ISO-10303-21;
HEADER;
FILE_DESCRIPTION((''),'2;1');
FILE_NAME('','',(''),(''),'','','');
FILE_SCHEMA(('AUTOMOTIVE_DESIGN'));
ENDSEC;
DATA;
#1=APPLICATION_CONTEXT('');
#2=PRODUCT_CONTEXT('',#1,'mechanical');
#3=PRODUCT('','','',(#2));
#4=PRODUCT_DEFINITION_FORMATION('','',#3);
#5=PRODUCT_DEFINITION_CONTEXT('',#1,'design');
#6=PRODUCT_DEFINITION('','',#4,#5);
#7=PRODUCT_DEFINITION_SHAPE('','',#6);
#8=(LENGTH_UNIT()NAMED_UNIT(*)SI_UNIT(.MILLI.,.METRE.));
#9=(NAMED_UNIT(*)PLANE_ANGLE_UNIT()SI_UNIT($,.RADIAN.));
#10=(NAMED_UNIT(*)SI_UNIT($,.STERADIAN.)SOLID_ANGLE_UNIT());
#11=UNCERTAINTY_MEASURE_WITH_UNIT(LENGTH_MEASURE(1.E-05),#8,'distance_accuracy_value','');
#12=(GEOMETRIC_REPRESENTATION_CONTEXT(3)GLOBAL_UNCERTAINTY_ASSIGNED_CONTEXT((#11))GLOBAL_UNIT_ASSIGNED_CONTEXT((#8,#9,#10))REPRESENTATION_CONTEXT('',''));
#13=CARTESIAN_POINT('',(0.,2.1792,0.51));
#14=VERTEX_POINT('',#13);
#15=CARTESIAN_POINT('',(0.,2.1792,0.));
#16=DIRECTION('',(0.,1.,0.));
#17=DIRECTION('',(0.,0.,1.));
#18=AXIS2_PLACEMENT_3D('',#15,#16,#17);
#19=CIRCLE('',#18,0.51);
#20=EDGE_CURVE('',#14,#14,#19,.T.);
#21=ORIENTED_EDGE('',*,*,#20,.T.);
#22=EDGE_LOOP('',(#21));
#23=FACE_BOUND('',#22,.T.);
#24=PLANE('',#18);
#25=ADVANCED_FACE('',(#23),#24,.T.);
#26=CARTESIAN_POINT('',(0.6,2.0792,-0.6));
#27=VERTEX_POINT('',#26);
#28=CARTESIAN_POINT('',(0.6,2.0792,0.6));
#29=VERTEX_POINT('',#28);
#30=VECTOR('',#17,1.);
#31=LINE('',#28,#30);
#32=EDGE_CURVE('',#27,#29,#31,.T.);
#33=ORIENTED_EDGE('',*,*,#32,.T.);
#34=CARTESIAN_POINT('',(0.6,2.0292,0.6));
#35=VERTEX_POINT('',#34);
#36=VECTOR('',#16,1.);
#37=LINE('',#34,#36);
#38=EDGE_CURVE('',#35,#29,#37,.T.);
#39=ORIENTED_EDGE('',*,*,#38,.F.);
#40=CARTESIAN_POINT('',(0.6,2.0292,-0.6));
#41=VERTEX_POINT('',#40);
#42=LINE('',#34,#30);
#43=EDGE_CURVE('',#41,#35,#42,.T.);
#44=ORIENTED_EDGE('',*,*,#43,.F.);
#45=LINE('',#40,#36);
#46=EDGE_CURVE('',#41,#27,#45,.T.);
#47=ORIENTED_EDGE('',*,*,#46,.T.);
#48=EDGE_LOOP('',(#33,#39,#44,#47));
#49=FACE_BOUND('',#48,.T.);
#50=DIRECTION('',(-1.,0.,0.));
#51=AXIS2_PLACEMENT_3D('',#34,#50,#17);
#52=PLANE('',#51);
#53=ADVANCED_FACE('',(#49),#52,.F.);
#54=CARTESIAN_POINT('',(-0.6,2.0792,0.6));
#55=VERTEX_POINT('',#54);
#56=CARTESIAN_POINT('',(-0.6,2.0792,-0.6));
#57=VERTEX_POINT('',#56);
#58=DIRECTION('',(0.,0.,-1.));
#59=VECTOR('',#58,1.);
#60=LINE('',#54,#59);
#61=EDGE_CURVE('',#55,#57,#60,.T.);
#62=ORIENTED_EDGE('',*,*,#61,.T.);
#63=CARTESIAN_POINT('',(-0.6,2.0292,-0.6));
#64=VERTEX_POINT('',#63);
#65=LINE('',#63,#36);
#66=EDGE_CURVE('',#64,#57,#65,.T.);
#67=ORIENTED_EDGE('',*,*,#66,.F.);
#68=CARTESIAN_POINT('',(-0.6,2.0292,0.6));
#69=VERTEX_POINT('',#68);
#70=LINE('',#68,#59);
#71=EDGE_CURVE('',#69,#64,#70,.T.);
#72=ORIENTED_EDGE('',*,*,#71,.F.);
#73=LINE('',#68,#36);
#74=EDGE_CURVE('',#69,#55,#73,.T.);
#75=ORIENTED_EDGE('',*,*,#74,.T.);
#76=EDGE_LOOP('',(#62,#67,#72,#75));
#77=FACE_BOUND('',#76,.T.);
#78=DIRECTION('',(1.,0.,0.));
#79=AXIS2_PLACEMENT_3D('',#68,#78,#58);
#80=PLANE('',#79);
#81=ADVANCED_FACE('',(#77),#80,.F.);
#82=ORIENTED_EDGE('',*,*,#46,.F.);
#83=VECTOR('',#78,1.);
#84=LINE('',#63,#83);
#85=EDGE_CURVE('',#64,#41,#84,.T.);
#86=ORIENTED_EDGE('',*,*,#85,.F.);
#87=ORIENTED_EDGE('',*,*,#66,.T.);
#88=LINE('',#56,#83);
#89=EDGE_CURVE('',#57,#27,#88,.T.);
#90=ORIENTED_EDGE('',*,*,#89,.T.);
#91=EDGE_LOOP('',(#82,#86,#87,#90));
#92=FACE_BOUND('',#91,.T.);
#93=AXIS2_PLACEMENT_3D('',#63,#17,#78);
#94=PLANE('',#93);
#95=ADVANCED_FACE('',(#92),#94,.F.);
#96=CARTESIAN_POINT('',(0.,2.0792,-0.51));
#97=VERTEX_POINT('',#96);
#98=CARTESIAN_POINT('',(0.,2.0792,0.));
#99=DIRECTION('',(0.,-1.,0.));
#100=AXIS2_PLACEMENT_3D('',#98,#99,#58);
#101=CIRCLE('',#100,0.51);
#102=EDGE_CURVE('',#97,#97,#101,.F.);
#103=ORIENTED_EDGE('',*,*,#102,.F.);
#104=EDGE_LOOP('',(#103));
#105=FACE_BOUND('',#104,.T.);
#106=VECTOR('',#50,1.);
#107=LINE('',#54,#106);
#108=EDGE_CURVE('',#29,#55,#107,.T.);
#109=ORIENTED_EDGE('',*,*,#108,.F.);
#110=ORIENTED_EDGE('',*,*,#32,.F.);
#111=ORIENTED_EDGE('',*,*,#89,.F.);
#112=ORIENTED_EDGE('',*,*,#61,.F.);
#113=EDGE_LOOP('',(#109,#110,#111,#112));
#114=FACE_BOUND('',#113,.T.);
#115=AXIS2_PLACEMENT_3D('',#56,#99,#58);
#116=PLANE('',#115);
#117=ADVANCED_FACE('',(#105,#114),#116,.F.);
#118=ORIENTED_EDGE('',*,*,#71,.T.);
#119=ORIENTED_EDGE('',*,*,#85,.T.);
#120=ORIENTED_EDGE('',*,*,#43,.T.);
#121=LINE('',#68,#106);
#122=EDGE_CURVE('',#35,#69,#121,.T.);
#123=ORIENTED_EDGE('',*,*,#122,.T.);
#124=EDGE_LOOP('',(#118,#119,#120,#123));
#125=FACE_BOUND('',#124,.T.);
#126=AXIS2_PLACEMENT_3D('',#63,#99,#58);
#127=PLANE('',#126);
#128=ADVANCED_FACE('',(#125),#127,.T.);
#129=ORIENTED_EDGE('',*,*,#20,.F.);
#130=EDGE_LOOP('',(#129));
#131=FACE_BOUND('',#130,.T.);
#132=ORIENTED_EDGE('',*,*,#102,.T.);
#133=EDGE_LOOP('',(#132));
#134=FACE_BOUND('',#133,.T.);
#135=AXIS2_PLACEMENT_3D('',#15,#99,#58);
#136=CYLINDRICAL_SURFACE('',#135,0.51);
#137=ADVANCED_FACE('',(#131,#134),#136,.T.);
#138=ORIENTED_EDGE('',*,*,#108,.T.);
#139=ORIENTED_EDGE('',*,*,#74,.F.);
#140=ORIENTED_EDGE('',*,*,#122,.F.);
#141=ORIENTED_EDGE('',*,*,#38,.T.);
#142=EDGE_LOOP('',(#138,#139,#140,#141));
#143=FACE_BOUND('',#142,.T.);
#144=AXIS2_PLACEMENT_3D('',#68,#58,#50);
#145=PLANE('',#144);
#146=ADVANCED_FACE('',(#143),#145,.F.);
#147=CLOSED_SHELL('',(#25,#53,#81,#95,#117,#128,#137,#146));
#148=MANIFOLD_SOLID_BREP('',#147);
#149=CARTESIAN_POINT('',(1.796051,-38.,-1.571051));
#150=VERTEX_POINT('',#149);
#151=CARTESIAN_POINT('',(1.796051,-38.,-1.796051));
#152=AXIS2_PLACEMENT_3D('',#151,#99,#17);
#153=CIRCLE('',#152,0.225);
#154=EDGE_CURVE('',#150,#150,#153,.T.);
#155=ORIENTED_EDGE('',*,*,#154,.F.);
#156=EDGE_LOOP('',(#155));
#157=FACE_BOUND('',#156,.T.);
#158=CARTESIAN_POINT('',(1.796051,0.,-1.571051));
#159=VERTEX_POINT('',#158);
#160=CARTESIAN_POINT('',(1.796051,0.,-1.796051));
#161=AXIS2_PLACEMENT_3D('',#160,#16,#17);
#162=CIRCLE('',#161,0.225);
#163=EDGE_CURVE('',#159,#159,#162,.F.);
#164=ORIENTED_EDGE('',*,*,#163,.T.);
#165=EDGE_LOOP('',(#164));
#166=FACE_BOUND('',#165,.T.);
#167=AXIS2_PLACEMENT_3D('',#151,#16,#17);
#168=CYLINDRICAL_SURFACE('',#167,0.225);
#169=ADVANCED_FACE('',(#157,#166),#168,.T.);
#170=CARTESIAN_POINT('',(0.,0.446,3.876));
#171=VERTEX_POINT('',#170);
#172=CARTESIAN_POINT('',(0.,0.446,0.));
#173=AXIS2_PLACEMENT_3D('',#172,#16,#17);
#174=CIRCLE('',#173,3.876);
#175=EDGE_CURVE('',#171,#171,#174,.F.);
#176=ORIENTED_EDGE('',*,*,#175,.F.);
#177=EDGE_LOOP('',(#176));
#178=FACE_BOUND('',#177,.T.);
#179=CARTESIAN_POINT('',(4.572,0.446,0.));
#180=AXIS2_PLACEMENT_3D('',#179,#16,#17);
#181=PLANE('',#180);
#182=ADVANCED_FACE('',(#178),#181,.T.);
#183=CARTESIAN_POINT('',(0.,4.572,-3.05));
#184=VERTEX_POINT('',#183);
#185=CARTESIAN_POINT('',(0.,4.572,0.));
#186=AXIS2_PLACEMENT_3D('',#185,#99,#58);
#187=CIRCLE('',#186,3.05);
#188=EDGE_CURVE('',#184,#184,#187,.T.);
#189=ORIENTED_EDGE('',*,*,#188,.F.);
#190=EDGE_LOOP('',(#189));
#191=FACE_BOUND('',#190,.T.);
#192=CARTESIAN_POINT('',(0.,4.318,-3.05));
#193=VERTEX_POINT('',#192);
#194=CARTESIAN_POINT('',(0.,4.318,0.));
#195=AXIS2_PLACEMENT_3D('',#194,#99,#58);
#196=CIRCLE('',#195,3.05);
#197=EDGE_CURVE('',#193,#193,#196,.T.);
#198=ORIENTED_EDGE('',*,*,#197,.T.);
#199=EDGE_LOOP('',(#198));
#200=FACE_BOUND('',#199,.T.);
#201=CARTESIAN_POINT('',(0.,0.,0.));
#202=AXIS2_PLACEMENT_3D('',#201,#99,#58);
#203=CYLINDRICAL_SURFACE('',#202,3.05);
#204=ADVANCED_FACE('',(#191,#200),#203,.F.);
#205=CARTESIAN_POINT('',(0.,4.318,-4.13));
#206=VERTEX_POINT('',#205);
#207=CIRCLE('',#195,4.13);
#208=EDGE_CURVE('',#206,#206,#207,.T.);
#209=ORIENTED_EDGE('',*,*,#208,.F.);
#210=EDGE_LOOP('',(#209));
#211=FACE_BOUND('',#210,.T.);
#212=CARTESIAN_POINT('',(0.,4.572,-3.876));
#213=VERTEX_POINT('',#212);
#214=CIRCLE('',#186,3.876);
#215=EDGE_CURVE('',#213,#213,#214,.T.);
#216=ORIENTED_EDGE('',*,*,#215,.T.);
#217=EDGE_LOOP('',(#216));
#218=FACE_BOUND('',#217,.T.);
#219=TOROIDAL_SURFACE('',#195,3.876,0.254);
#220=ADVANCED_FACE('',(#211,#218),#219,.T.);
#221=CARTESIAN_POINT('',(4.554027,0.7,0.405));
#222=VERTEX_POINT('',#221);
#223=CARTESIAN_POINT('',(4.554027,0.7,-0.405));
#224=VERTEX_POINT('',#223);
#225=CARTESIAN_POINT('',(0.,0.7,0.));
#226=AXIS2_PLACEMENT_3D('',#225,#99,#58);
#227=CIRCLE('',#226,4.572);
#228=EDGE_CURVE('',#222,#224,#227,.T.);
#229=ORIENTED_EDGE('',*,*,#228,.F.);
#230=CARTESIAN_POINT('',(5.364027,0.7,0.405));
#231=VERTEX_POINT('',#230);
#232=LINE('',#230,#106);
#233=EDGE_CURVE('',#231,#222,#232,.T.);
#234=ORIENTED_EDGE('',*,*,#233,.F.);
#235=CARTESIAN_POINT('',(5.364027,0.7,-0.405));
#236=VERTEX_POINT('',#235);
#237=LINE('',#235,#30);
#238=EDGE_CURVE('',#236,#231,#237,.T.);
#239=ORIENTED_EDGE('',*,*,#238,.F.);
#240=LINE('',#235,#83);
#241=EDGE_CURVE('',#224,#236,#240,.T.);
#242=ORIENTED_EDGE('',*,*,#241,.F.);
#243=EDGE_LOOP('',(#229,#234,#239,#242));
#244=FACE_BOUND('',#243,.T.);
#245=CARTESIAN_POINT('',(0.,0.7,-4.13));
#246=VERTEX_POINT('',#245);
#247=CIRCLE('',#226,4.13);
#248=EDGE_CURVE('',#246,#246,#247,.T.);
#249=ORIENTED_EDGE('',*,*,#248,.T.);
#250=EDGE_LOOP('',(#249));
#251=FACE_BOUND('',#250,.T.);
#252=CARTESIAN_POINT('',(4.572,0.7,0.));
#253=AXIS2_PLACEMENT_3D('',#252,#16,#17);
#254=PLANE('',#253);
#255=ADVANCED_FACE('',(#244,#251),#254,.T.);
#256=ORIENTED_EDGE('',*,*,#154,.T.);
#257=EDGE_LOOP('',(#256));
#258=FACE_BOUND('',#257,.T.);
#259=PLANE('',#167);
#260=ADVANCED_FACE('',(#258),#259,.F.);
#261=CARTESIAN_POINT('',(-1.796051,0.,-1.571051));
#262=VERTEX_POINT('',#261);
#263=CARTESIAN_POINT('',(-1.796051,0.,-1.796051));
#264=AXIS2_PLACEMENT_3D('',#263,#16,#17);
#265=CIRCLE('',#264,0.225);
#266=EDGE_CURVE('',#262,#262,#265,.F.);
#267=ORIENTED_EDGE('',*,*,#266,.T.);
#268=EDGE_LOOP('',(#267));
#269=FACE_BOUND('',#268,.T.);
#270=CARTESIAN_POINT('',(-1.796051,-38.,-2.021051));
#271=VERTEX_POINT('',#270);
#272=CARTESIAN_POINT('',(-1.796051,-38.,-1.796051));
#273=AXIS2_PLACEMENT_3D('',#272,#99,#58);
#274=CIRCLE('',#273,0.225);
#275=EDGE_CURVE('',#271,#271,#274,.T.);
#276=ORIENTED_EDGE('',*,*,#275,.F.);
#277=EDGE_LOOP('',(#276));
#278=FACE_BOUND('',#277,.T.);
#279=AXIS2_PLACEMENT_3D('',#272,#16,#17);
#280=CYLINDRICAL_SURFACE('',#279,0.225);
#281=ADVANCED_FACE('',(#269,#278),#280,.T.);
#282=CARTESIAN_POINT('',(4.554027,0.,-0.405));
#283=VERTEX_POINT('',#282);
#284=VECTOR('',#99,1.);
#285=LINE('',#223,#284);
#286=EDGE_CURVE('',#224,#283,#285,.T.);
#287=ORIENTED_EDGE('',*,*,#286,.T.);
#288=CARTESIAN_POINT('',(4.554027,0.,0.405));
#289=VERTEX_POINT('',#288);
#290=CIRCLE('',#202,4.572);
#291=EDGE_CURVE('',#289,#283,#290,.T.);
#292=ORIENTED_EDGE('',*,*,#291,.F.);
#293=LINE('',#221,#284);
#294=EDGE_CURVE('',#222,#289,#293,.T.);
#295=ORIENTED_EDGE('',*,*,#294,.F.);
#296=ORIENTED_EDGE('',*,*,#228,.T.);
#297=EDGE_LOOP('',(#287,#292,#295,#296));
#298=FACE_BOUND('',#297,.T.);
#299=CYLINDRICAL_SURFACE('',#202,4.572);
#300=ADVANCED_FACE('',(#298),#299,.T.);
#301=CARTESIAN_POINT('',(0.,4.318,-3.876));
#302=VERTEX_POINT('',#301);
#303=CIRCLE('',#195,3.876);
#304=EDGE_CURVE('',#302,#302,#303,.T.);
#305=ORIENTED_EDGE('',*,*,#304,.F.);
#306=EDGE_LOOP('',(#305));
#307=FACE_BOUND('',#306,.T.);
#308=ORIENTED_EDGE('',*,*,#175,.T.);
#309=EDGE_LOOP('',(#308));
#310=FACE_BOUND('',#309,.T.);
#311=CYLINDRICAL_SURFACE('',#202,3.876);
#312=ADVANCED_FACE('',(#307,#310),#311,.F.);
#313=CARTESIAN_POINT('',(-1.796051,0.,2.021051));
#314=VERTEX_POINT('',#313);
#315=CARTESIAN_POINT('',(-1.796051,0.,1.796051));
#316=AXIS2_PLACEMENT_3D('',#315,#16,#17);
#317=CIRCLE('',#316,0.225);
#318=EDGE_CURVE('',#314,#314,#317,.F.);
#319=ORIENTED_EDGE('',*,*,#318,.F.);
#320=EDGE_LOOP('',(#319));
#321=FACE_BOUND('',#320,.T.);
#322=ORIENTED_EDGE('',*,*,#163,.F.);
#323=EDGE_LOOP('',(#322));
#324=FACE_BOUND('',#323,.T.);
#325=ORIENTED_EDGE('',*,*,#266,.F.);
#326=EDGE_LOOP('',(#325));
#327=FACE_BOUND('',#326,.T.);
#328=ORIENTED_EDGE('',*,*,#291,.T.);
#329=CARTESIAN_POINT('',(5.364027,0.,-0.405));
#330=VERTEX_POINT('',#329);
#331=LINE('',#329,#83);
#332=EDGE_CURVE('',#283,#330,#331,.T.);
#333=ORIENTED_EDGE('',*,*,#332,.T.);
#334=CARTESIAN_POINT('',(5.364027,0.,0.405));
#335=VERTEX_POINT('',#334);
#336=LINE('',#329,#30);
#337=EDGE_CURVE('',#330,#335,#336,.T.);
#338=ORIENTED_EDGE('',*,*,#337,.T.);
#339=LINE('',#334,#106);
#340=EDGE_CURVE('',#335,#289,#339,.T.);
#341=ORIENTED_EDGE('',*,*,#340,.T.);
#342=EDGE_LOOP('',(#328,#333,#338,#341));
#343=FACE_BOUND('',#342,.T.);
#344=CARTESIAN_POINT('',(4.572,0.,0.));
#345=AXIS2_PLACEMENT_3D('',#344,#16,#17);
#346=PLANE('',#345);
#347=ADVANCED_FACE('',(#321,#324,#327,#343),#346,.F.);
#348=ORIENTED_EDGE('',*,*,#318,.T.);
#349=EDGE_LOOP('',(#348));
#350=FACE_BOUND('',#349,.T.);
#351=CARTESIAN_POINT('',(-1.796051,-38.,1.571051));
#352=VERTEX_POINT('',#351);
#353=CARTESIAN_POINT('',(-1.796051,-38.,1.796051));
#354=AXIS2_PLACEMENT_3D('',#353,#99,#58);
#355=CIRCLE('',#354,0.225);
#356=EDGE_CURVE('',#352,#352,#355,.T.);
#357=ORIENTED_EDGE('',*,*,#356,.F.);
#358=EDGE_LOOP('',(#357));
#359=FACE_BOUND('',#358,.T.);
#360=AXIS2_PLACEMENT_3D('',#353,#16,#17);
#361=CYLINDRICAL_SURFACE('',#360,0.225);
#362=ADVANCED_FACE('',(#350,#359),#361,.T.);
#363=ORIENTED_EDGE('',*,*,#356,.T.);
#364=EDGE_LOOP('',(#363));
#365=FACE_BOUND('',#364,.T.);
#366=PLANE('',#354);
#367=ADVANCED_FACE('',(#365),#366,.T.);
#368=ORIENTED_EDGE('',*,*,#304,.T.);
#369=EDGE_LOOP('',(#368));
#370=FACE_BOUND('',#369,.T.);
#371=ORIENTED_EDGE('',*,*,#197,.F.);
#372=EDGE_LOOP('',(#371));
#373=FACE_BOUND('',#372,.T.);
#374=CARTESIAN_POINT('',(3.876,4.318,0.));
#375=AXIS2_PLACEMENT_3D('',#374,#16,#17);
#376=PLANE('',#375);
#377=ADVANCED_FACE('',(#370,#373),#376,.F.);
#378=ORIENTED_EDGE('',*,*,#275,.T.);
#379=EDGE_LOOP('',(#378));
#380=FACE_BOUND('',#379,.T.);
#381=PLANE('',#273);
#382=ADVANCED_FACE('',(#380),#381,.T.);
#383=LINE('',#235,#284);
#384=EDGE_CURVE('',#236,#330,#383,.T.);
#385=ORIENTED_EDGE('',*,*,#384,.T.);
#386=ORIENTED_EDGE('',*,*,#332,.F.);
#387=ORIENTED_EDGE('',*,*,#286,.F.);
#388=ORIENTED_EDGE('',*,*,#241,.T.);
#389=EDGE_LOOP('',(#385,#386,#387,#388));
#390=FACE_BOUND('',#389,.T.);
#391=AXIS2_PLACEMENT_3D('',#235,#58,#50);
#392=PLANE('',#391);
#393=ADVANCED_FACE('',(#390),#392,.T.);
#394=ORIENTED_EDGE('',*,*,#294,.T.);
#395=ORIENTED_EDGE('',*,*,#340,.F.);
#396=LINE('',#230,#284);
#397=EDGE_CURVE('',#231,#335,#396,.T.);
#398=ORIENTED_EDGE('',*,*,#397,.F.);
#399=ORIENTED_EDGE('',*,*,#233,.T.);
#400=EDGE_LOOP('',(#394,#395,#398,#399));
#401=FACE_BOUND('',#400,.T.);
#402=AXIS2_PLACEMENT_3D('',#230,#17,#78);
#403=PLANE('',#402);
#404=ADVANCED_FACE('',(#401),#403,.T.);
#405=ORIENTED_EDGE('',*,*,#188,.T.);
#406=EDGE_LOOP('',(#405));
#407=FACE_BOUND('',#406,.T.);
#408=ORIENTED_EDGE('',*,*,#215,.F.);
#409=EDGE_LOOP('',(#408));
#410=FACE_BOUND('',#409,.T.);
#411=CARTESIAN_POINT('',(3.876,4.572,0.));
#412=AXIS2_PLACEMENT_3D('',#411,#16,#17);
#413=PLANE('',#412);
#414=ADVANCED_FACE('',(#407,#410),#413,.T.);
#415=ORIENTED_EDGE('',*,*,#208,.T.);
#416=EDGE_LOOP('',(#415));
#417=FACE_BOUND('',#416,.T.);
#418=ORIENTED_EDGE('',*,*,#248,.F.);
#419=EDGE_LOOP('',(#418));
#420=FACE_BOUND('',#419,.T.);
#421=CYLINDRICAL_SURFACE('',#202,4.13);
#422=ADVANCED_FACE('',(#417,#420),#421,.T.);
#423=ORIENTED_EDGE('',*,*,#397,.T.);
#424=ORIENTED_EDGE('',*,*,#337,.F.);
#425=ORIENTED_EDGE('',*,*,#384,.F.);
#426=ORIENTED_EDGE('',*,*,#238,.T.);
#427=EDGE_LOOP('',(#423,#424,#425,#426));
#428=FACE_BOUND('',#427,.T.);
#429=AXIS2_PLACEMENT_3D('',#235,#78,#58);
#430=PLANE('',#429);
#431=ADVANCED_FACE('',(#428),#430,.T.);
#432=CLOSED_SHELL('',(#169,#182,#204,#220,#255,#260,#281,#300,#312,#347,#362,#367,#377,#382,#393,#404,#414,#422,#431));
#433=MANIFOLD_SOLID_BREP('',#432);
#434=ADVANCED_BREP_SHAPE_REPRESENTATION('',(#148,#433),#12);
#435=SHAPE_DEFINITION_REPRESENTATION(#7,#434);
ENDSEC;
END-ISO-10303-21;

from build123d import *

# Parameters (mm, degrees)
SKETCH2_R           = 4.572
BOSS_EXTRUDE1_DEPTH = 0.446
BOSS_EXTRUDE2_START = -2.0792
SKETCH3_W           = 1.2
SKETCH3_H           = 1.2
BOSS_EXTRUDE2_DEPTH = 0.05
SKETCH8_R           = 0.51
BOSS_EXTRUDE6_DEPTH = 0.1
SKETCH5_R           = 0.225
BOSS_EXTRUDE4_DEPTH = 38
SKETCH10_W          = 0.81
SKETCH10_H          = 0.81
BOSS_EXTRUDE7_DEPTH = 0.7


with BuildPart() as part:
    # Sketch1 → Revolve-Thin2 (revolve)
    with BuildSketch(Plane.XY, mode=Mode.PRIVATE) as revolve_thin2_sk:
        with BuildLine():
            Line((4.572, 0), (4.572, 0.7))
            Line((4.572, 0.7), (4.13, 0.7))
            Line((4.13, 0.7), (4.13, 4.318))
            ThreePointArc((4.13, 4.318), (4.055605122, 4.497605122), (3.876, 4.572))
            Line((3.876, 4.572), (3.05, 4.572))
            Line((3.05, 4.572), (3.05, 4.318))
            Line((3.05, 4.318), (3.876, 4.318))
            Line((3.876, 4.318), (3.876, 0.446))
            Line((3.876, 0.446), (4.318, 0.446))
            Line((4.318, 0.446), (4.318, 0))
            Line((4.318, 0), (4.572, 0))
        make_face()
    revolve(revolve_thin2_sk.sketch.rotate(Axis((0, 0, 0), (0, 1, 0)), 90), axis=Axis((0, 0, 0), (0, 1, 0)))  # turned: the seam where the file's is

    # Sketch2 → Boss-Extrude1 (add)
    with BuildSketch(Plane.XZ):
        with Locations(Location((0, 0, 0), (0, 0, 270))):  # turned: the seam where the file's is
            Circle(SKETCH2_R)
    extrude(amount=-BOSS_EXTRUDE1_DEPTH)

    # Sketch5 → Boss-Extrude4 (add)
    with BuildSketch(Plane.XZ):
        with Locations(Location((-1.796051224, -1.796051224, 0), (0, 0, 90))):  # turned: the seam where the file's is
            Circle(SKETCH5_R)
        with Locations(Location((1.796051224, -1.796051224, 0), (0, 0, 90))):  # turned: the seam where the file's is
            Circle(SKETCH5_R)
        with Locations(Location((-1.796051224, 1.796051224, 0), (0, 0, 90))):  # turned: the seam where the file's is
            Circle(SKETCH5_R)
    extrude(amount=BOSS_EXTRUDE4_DEPTH)

    # Sketch10 → Boss-Extrude7 (add)
    with BuildSketch(Plane.XZ):
        with Locations((4.95902668, 0)):
            Rectangle(SKETCH10_W, SKETCH10_H)
    extrude(amount=-BOSS_EXTRUDE7_DEPTH)


with BuildPart() as body_2:
    # Sketch3 → Boss-Extrude2 (new body)
    with BuildSketch(Plane.XZ.offset(BOSS_EXTRUDE2_START)):
        Rectangle(SKETCH3_W, SKETCH3_H)
    extrude(amount=BOSS_EXTRUDE2_DEPTH)

    # Sketch8 → Boss-Extrude6 (add)
    with BuildSketch(Plane(origin=(0, 2.0792, 0), x_dir=(-1, 0, 0), z_dir=(0, 1, 0))):
        with Locations(Location((0, 0, 0), (0, 0, 270))):  # turned: the seam where the file's is
            Circle(SKETCH8_R)
    extrude(amount=BOSS_EXTRUDE6_DEPTH)


solid = Compound([part.part, body_2.part])
